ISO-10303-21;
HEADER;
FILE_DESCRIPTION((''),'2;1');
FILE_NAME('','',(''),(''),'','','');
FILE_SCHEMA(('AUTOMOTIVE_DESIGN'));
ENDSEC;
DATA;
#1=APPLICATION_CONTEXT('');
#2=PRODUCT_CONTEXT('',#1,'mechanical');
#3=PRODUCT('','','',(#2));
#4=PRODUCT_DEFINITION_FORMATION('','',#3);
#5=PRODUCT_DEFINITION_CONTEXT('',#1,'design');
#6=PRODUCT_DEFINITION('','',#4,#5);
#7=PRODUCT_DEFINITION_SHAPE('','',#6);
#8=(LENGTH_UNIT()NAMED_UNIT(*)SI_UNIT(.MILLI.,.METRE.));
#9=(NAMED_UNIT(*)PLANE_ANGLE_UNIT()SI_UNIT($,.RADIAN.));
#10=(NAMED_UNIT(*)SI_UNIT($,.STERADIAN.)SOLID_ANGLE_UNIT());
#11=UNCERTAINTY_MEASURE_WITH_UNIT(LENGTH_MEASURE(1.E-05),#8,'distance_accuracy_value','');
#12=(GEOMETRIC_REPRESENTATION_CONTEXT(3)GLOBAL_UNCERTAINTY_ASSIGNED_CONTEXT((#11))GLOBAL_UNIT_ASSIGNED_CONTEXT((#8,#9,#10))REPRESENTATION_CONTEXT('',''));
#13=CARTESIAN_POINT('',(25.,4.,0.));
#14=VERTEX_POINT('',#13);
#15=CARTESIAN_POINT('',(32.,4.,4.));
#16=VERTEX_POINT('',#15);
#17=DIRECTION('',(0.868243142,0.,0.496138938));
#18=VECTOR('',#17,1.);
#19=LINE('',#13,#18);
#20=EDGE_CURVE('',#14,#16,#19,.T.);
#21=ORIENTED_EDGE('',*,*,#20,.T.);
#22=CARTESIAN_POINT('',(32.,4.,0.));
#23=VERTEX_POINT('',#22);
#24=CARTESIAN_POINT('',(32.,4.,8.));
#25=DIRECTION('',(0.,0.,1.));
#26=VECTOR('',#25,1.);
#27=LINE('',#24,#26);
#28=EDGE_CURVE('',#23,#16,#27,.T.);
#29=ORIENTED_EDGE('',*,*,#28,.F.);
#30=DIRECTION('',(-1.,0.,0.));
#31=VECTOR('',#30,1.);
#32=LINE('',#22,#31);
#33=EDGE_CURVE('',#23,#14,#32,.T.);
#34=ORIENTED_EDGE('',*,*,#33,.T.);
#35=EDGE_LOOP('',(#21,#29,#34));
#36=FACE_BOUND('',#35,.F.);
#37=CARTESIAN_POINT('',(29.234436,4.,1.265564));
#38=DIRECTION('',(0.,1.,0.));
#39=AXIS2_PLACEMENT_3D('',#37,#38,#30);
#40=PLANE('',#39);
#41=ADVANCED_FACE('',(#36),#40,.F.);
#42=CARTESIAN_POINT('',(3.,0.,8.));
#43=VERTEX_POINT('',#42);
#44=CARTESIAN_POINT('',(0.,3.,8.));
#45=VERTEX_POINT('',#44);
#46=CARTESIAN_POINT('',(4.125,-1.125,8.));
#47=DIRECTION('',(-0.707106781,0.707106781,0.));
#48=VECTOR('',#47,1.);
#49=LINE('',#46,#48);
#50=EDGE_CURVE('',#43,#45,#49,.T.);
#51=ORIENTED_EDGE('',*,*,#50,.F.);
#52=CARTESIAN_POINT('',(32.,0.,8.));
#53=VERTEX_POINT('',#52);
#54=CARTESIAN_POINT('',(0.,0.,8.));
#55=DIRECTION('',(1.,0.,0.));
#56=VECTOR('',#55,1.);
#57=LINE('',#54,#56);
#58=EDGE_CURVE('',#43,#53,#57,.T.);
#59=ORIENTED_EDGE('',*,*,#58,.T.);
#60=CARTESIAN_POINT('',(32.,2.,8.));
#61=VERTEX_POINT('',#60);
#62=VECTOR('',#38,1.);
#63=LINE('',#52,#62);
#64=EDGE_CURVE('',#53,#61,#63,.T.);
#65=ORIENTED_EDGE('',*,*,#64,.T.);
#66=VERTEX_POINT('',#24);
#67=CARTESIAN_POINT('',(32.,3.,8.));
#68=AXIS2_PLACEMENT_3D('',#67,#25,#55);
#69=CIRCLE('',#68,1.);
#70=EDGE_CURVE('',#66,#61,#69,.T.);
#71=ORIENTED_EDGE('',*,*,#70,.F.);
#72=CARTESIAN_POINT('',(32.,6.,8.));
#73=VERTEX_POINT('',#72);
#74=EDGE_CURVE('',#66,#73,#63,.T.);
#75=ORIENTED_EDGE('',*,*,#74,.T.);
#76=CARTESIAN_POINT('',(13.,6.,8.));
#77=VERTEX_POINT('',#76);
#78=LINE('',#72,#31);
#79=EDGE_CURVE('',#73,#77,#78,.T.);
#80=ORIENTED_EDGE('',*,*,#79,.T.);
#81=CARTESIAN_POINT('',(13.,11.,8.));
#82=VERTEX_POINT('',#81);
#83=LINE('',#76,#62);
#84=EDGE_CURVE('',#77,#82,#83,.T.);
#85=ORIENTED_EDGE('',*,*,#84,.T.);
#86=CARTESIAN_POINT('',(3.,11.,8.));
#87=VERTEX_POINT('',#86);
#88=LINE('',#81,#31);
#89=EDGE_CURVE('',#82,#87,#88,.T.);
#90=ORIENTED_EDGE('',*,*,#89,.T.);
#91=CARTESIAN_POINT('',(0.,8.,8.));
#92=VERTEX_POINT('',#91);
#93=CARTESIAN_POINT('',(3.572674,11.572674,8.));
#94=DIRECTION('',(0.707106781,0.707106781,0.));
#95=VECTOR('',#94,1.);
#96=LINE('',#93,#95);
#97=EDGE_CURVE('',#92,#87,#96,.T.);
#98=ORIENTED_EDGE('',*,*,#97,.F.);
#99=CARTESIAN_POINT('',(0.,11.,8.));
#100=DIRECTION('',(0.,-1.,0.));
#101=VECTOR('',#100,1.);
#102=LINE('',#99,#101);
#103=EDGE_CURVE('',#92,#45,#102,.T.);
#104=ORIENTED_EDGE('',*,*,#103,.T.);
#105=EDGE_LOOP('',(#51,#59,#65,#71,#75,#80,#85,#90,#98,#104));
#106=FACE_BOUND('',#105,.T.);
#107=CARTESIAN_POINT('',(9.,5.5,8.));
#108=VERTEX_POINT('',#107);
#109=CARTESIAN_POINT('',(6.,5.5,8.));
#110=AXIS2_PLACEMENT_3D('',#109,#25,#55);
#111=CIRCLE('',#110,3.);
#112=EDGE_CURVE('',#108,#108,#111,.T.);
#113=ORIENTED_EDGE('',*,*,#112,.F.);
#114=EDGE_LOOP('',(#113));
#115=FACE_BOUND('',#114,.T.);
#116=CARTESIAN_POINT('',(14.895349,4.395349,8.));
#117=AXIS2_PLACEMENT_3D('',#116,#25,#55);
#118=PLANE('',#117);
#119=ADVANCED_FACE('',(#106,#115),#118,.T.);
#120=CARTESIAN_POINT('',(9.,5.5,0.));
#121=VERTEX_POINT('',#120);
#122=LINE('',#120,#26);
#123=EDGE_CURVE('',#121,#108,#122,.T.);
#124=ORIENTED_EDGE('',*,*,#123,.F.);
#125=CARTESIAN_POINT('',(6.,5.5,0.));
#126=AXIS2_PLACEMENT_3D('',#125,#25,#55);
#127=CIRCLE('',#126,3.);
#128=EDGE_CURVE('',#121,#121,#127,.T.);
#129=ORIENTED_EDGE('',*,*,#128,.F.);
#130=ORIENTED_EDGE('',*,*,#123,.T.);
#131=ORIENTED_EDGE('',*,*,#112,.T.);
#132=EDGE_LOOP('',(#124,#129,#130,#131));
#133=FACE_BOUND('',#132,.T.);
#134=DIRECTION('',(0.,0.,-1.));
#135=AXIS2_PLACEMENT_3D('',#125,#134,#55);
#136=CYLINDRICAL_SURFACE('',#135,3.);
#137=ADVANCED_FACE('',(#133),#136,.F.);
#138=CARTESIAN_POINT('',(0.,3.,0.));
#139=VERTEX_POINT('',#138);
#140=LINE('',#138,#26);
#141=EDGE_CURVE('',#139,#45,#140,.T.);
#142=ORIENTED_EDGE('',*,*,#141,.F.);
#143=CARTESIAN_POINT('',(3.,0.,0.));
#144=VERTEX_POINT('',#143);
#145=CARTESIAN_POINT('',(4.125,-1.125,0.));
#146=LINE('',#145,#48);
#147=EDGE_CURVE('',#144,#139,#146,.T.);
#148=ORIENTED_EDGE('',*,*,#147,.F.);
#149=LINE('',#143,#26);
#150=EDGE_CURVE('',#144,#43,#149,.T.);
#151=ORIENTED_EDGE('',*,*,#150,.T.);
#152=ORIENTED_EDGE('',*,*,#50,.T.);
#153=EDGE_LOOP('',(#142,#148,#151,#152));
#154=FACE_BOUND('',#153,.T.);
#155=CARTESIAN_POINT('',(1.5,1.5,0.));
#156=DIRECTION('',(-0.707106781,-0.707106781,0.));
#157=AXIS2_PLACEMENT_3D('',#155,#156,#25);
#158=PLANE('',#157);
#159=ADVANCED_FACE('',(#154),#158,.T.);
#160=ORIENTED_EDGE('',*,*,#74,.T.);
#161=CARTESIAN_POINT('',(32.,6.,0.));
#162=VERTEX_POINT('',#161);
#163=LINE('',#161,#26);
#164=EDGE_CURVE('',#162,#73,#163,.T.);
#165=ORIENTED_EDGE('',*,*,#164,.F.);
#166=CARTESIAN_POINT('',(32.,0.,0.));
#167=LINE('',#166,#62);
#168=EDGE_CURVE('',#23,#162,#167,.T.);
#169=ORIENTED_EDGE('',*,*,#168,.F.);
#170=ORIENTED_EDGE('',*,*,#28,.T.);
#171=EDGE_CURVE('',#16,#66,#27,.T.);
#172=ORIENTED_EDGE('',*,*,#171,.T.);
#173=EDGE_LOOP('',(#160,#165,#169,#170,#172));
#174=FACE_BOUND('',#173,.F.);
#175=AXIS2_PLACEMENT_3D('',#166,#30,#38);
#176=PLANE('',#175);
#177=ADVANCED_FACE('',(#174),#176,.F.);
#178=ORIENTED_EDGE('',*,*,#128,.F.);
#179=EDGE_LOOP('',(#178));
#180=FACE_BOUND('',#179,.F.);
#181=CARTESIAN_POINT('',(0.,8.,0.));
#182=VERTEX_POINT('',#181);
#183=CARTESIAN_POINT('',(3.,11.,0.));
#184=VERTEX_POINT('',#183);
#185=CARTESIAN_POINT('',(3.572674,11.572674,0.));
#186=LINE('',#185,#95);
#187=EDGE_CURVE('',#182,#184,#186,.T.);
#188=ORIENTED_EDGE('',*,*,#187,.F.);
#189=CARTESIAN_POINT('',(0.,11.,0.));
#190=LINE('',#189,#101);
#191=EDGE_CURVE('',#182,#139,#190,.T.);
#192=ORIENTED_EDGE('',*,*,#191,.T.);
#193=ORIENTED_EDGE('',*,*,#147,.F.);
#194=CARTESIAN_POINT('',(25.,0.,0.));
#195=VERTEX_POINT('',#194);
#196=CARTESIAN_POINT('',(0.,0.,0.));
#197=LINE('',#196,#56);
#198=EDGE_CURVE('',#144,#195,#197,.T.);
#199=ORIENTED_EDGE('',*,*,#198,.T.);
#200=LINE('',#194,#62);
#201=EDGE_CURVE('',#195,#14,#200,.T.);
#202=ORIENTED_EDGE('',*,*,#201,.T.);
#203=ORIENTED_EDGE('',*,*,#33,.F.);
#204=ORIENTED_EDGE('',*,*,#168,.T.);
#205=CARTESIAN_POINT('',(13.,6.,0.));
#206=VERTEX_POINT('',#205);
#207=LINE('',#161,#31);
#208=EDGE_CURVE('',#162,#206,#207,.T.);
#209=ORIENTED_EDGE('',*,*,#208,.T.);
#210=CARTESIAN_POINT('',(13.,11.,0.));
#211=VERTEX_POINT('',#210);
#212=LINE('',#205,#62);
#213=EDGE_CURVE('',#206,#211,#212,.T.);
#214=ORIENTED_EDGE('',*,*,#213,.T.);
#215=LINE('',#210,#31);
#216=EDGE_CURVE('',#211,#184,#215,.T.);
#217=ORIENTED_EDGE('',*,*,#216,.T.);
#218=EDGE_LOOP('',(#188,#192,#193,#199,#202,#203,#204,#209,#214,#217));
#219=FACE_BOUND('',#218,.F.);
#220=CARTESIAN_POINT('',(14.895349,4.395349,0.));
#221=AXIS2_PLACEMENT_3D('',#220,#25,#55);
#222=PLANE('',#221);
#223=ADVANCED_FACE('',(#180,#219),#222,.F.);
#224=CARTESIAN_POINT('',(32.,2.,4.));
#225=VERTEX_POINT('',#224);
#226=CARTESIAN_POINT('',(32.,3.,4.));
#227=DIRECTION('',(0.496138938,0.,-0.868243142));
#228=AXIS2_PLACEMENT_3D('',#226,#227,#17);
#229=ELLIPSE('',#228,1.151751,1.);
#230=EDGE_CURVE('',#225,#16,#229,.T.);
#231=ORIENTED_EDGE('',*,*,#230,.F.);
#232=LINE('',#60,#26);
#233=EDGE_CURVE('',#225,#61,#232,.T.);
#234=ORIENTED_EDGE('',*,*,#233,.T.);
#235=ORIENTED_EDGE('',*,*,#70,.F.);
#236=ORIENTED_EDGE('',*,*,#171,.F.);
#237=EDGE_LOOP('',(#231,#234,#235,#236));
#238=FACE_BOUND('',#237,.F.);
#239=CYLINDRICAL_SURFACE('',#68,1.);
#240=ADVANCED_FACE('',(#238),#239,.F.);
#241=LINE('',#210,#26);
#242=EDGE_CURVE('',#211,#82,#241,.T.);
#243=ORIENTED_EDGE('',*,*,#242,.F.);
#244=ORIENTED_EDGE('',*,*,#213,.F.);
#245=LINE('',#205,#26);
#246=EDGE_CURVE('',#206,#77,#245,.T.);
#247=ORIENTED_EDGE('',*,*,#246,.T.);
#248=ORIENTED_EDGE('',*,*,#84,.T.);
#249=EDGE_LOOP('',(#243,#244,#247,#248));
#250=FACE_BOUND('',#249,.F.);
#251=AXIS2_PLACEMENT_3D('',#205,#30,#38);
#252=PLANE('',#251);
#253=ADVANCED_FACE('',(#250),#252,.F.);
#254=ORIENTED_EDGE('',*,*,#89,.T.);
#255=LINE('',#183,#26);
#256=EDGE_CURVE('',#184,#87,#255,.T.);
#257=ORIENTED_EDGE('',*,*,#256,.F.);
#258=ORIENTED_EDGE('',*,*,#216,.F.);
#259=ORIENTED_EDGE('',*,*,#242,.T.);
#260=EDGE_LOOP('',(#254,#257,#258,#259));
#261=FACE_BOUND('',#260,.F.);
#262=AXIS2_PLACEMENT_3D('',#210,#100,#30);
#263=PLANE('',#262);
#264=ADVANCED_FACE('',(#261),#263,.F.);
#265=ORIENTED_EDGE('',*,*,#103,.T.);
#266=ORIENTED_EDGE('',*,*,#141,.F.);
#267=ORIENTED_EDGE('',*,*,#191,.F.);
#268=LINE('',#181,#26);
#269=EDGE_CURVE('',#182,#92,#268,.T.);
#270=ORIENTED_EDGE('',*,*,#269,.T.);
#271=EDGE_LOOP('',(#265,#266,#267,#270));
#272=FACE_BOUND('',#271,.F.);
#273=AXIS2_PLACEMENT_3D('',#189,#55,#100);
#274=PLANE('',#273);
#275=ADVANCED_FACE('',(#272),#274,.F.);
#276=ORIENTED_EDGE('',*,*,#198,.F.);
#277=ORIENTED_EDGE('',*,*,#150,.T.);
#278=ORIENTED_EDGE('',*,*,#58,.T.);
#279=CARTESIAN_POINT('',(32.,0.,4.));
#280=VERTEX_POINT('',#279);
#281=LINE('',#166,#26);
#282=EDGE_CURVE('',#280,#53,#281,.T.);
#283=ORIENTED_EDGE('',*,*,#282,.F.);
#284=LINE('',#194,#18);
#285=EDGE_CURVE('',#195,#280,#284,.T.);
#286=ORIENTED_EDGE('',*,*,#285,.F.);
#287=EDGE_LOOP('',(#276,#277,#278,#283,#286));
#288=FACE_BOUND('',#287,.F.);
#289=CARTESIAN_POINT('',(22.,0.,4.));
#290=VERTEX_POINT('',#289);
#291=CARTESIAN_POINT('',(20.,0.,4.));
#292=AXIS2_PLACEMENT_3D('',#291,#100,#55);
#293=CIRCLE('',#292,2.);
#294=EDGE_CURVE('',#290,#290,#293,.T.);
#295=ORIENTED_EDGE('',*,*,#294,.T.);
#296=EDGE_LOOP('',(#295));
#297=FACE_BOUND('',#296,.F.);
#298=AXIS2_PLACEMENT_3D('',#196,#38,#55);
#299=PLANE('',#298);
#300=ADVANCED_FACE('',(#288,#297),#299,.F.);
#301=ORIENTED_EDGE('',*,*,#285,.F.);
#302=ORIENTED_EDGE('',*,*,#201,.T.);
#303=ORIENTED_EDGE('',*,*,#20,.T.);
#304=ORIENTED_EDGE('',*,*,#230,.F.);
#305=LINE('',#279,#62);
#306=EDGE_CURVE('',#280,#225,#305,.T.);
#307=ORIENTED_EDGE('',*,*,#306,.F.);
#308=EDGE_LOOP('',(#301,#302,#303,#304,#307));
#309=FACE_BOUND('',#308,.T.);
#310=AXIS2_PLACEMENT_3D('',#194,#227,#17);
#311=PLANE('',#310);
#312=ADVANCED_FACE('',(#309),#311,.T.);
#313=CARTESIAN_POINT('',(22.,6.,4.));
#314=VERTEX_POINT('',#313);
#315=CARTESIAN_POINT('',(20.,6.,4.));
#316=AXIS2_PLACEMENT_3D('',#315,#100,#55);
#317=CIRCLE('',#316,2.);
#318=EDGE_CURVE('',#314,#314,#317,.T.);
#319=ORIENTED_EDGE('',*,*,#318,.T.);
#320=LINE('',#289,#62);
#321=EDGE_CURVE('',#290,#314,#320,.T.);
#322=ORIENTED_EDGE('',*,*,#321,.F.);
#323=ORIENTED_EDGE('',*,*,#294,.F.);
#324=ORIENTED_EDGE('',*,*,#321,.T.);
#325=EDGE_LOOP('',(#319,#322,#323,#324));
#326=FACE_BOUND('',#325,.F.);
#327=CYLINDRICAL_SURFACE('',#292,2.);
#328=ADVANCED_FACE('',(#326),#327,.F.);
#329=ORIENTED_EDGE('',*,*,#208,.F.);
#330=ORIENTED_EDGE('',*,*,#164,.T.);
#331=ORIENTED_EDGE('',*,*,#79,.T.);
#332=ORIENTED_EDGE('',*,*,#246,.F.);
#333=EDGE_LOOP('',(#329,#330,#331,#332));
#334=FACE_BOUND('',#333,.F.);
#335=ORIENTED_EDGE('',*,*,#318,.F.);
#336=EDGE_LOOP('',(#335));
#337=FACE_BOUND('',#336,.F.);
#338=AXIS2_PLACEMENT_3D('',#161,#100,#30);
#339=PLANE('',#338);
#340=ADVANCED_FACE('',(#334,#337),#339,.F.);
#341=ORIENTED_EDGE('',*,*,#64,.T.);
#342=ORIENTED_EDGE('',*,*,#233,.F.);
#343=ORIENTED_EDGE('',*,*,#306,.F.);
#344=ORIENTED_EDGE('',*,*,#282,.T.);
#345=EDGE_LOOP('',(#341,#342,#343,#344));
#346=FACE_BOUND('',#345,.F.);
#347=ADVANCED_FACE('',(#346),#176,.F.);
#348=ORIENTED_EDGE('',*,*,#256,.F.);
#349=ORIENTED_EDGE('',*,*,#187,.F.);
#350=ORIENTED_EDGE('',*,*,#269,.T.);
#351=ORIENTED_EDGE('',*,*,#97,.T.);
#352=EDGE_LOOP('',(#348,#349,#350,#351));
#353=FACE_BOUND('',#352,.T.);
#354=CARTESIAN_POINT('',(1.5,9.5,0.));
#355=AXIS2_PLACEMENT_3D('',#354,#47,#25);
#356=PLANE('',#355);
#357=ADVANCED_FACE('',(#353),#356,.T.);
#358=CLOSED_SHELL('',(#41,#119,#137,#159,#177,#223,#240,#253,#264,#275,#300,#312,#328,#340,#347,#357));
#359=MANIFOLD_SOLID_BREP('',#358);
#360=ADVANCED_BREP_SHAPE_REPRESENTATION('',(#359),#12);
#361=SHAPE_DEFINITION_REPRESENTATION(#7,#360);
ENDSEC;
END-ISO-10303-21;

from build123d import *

# Parameters (mm, degrees)
ESQUISSE1_R             = 3
EXTRUSION1_DEPTH        = 8
ESQUISSE2_R             = 1
ENL_V_MAT_EXTRU_1_DEPTH = 9
ENL_V_MAT_EXTRU_4_DEPTH = 4
ESQUISSE4_R             = 2
ENL_V_MAT_EXTRU_5_DEPTH = 12
CHANFREIN1_SIZE         = 3


with BuildPart() as part:
    # Esquisse1 → Extrusion1 (new body)
    with BuildSketch(Plane.XY):
        Polygon((32, 6), (13, 6), (13, 11), (0, 11), (0, 0), (32, 0), align=None)
        with Locations((6, 5.5)):
            Circle(ESQUISSE1_R, mode=Mode.SUBTRACT)
    extrude(amount=EXTRUSION1_DEPTH)

    # Esquisse2 → Enlèv. mat.-Extru.1 (cut, through all)
    with BuildSketch(Plane.XY.offset(8)):
        with Locations((32, 3)):
            Circle(ESQUISSE2_R)
    extrude(amount=-ENL_V_MAT_EXTRU_1_DEPTH, mode=Mode.SUBTRACT)

    # Esquisse3 → Enlèv. mat.-Extru.4 (cut)
    with BuildSketch(Plane.XZ):
        Polygon((25, 0), (32, 4), (32, 0), align=None)
    extrude(amount=-ENL_V_MAT_EXTRU_4_DEPTH, mode=Mode.SUBTRACT)

    # Esquisse4 → Enlèv. mat.-Extru.5 (cut, through all)
    with BuildSketch(Plane.XZ):
        with Locations((20, 4)):
            Circle(ESQUISSE4_R)
    extrude(amount=-ENL_V_MAT_EXTRU_5_DEPTH, mode=Mode.SUBTRACT)

    # Chanfrein1
    chanfrein1_edges = [part.edges().sort_by_distance(p)[0] for p in [
        (0, 0, 4),
        (0, 11, 4),
    ]]
    chamfer(chanfrein1_edges, length=CHANFREIN1_SIZE)


solid = part.part
